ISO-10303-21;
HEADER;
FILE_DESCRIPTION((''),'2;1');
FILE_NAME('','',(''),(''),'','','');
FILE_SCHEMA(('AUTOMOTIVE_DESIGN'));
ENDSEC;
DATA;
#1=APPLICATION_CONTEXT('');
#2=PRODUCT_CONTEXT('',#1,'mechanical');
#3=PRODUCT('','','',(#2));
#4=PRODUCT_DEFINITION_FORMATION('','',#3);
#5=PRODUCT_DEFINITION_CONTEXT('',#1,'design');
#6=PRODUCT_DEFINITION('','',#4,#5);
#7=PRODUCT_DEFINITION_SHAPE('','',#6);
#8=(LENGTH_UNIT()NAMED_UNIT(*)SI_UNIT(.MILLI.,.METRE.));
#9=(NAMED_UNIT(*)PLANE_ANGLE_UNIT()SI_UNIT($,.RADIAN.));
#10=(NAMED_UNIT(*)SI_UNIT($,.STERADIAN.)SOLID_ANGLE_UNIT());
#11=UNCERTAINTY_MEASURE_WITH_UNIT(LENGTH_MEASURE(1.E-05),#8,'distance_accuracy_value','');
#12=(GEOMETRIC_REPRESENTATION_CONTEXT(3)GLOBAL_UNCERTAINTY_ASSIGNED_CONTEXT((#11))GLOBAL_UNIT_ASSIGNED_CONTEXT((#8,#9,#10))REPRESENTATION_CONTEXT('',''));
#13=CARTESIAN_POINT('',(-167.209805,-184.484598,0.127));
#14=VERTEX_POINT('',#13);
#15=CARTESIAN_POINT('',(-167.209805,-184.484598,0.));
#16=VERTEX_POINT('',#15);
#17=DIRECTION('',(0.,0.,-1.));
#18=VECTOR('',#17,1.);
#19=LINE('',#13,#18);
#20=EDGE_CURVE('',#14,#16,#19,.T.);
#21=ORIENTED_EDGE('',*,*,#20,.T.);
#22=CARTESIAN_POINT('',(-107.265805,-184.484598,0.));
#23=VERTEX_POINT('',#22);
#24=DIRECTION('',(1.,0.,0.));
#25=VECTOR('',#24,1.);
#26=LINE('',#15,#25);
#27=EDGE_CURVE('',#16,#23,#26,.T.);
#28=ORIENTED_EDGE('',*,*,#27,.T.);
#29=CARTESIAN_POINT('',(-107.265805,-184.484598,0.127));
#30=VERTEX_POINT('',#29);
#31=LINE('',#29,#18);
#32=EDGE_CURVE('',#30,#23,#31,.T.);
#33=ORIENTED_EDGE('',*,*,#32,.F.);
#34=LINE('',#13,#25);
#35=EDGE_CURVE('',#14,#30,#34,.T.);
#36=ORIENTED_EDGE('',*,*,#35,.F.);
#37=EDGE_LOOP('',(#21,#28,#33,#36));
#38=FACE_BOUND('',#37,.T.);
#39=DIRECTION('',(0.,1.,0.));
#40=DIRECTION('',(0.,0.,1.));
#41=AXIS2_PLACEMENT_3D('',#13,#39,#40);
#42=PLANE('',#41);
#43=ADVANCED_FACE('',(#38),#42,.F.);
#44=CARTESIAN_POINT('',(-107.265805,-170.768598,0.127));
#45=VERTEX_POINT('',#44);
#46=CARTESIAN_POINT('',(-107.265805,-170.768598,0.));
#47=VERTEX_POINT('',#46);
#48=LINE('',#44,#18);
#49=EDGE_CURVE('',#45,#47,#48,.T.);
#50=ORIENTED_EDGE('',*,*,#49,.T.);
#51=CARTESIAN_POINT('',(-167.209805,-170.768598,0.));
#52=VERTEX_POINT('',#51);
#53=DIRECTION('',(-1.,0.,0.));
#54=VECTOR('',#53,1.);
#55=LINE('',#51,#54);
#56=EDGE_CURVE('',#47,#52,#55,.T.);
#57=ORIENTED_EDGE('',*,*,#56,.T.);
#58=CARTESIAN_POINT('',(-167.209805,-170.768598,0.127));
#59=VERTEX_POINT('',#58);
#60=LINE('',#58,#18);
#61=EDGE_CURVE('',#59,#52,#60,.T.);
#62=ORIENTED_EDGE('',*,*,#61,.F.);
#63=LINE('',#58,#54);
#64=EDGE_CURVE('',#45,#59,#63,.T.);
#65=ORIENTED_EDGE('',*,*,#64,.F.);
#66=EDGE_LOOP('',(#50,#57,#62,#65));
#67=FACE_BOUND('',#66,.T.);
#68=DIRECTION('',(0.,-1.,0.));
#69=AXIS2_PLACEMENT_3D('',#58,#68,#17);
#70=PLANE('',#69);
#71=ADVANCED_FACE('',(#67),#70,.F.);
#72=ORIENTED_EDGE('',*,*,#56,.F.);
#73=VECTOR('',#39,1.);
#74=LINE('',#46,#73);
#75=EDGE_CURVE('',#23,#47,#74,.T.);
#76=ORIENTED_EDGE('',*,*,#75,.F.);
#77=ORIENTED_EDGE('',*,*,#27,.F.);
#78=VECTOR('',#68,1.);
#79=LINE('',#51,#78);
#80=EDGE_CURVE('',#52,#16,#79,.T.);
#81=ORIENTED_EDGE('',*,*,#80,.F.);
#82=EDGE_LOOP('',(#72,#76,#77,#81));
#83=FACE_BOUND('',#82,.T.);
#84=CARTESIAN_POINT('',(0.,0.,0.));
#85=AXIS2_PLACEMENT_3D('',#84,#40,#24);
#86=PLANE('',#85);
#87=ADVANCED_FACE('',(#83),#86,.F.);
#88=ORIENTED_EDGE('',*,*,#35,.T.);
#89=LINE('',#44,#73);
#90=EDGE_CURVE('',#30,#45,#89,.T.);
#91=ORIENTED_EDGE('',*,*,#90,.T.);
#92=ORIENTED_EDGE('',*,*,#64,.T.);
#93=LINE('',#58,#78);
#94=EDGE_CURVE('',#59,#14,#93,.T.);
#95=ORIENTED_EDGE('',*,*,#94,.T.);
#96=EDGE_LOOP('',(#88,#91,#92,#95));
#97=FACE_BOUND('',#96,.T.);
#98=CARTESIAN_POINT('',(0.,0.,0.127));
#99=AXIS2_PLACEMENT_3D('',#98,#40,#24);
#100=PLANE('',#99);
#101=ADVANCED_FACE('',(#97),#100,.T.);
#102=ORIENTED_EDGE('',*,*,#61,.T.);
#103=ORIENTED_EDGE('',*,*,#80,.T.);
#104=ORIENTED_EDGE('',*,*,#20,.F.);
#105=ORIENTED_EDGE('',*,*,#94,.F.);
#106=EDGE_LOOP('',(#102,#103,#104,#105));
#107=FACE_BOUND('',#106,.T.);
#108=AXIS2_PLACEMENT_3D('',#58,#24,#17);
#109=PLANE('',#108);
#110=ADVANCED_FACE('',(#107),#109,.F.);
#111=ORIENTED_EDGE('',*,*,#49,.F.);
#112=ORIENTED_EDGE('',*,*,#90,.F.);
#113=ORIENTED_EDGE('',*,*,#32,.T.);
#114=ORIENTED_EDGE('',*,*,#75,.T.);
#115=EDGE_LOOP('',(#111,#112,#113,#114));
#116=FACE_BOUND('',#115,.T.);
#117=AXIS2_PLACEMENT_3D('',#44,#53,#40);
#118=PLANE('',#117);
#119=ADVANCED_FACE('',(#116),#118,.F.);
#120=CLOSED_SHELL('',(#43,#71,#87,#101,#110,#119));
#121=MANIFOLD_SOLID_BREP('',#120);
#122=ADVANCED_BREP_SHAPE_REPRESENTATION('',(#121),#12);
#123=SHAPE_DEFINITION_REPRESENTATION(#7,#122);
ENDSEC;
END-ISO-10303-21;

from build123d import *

# Parameters (mm, degrees)
SKETCH1_W           = 59.944
SKETCH1_H           = 13.716
BOSS_EXTRUDE1_DEPTH = 0.127


with BuildPart() as part:
    # Sketch1 → Boss-Extrude1 (new body)
    with BuildSketch(Plane.XY):
        with Locations((-137.237805359, -177.626597764)):
            Rectangle(SKETCH1_W, SKETCH1_H)
    extrude(amount=BOSS_EXTRUDE1_DEPTH)


solid = part.part
